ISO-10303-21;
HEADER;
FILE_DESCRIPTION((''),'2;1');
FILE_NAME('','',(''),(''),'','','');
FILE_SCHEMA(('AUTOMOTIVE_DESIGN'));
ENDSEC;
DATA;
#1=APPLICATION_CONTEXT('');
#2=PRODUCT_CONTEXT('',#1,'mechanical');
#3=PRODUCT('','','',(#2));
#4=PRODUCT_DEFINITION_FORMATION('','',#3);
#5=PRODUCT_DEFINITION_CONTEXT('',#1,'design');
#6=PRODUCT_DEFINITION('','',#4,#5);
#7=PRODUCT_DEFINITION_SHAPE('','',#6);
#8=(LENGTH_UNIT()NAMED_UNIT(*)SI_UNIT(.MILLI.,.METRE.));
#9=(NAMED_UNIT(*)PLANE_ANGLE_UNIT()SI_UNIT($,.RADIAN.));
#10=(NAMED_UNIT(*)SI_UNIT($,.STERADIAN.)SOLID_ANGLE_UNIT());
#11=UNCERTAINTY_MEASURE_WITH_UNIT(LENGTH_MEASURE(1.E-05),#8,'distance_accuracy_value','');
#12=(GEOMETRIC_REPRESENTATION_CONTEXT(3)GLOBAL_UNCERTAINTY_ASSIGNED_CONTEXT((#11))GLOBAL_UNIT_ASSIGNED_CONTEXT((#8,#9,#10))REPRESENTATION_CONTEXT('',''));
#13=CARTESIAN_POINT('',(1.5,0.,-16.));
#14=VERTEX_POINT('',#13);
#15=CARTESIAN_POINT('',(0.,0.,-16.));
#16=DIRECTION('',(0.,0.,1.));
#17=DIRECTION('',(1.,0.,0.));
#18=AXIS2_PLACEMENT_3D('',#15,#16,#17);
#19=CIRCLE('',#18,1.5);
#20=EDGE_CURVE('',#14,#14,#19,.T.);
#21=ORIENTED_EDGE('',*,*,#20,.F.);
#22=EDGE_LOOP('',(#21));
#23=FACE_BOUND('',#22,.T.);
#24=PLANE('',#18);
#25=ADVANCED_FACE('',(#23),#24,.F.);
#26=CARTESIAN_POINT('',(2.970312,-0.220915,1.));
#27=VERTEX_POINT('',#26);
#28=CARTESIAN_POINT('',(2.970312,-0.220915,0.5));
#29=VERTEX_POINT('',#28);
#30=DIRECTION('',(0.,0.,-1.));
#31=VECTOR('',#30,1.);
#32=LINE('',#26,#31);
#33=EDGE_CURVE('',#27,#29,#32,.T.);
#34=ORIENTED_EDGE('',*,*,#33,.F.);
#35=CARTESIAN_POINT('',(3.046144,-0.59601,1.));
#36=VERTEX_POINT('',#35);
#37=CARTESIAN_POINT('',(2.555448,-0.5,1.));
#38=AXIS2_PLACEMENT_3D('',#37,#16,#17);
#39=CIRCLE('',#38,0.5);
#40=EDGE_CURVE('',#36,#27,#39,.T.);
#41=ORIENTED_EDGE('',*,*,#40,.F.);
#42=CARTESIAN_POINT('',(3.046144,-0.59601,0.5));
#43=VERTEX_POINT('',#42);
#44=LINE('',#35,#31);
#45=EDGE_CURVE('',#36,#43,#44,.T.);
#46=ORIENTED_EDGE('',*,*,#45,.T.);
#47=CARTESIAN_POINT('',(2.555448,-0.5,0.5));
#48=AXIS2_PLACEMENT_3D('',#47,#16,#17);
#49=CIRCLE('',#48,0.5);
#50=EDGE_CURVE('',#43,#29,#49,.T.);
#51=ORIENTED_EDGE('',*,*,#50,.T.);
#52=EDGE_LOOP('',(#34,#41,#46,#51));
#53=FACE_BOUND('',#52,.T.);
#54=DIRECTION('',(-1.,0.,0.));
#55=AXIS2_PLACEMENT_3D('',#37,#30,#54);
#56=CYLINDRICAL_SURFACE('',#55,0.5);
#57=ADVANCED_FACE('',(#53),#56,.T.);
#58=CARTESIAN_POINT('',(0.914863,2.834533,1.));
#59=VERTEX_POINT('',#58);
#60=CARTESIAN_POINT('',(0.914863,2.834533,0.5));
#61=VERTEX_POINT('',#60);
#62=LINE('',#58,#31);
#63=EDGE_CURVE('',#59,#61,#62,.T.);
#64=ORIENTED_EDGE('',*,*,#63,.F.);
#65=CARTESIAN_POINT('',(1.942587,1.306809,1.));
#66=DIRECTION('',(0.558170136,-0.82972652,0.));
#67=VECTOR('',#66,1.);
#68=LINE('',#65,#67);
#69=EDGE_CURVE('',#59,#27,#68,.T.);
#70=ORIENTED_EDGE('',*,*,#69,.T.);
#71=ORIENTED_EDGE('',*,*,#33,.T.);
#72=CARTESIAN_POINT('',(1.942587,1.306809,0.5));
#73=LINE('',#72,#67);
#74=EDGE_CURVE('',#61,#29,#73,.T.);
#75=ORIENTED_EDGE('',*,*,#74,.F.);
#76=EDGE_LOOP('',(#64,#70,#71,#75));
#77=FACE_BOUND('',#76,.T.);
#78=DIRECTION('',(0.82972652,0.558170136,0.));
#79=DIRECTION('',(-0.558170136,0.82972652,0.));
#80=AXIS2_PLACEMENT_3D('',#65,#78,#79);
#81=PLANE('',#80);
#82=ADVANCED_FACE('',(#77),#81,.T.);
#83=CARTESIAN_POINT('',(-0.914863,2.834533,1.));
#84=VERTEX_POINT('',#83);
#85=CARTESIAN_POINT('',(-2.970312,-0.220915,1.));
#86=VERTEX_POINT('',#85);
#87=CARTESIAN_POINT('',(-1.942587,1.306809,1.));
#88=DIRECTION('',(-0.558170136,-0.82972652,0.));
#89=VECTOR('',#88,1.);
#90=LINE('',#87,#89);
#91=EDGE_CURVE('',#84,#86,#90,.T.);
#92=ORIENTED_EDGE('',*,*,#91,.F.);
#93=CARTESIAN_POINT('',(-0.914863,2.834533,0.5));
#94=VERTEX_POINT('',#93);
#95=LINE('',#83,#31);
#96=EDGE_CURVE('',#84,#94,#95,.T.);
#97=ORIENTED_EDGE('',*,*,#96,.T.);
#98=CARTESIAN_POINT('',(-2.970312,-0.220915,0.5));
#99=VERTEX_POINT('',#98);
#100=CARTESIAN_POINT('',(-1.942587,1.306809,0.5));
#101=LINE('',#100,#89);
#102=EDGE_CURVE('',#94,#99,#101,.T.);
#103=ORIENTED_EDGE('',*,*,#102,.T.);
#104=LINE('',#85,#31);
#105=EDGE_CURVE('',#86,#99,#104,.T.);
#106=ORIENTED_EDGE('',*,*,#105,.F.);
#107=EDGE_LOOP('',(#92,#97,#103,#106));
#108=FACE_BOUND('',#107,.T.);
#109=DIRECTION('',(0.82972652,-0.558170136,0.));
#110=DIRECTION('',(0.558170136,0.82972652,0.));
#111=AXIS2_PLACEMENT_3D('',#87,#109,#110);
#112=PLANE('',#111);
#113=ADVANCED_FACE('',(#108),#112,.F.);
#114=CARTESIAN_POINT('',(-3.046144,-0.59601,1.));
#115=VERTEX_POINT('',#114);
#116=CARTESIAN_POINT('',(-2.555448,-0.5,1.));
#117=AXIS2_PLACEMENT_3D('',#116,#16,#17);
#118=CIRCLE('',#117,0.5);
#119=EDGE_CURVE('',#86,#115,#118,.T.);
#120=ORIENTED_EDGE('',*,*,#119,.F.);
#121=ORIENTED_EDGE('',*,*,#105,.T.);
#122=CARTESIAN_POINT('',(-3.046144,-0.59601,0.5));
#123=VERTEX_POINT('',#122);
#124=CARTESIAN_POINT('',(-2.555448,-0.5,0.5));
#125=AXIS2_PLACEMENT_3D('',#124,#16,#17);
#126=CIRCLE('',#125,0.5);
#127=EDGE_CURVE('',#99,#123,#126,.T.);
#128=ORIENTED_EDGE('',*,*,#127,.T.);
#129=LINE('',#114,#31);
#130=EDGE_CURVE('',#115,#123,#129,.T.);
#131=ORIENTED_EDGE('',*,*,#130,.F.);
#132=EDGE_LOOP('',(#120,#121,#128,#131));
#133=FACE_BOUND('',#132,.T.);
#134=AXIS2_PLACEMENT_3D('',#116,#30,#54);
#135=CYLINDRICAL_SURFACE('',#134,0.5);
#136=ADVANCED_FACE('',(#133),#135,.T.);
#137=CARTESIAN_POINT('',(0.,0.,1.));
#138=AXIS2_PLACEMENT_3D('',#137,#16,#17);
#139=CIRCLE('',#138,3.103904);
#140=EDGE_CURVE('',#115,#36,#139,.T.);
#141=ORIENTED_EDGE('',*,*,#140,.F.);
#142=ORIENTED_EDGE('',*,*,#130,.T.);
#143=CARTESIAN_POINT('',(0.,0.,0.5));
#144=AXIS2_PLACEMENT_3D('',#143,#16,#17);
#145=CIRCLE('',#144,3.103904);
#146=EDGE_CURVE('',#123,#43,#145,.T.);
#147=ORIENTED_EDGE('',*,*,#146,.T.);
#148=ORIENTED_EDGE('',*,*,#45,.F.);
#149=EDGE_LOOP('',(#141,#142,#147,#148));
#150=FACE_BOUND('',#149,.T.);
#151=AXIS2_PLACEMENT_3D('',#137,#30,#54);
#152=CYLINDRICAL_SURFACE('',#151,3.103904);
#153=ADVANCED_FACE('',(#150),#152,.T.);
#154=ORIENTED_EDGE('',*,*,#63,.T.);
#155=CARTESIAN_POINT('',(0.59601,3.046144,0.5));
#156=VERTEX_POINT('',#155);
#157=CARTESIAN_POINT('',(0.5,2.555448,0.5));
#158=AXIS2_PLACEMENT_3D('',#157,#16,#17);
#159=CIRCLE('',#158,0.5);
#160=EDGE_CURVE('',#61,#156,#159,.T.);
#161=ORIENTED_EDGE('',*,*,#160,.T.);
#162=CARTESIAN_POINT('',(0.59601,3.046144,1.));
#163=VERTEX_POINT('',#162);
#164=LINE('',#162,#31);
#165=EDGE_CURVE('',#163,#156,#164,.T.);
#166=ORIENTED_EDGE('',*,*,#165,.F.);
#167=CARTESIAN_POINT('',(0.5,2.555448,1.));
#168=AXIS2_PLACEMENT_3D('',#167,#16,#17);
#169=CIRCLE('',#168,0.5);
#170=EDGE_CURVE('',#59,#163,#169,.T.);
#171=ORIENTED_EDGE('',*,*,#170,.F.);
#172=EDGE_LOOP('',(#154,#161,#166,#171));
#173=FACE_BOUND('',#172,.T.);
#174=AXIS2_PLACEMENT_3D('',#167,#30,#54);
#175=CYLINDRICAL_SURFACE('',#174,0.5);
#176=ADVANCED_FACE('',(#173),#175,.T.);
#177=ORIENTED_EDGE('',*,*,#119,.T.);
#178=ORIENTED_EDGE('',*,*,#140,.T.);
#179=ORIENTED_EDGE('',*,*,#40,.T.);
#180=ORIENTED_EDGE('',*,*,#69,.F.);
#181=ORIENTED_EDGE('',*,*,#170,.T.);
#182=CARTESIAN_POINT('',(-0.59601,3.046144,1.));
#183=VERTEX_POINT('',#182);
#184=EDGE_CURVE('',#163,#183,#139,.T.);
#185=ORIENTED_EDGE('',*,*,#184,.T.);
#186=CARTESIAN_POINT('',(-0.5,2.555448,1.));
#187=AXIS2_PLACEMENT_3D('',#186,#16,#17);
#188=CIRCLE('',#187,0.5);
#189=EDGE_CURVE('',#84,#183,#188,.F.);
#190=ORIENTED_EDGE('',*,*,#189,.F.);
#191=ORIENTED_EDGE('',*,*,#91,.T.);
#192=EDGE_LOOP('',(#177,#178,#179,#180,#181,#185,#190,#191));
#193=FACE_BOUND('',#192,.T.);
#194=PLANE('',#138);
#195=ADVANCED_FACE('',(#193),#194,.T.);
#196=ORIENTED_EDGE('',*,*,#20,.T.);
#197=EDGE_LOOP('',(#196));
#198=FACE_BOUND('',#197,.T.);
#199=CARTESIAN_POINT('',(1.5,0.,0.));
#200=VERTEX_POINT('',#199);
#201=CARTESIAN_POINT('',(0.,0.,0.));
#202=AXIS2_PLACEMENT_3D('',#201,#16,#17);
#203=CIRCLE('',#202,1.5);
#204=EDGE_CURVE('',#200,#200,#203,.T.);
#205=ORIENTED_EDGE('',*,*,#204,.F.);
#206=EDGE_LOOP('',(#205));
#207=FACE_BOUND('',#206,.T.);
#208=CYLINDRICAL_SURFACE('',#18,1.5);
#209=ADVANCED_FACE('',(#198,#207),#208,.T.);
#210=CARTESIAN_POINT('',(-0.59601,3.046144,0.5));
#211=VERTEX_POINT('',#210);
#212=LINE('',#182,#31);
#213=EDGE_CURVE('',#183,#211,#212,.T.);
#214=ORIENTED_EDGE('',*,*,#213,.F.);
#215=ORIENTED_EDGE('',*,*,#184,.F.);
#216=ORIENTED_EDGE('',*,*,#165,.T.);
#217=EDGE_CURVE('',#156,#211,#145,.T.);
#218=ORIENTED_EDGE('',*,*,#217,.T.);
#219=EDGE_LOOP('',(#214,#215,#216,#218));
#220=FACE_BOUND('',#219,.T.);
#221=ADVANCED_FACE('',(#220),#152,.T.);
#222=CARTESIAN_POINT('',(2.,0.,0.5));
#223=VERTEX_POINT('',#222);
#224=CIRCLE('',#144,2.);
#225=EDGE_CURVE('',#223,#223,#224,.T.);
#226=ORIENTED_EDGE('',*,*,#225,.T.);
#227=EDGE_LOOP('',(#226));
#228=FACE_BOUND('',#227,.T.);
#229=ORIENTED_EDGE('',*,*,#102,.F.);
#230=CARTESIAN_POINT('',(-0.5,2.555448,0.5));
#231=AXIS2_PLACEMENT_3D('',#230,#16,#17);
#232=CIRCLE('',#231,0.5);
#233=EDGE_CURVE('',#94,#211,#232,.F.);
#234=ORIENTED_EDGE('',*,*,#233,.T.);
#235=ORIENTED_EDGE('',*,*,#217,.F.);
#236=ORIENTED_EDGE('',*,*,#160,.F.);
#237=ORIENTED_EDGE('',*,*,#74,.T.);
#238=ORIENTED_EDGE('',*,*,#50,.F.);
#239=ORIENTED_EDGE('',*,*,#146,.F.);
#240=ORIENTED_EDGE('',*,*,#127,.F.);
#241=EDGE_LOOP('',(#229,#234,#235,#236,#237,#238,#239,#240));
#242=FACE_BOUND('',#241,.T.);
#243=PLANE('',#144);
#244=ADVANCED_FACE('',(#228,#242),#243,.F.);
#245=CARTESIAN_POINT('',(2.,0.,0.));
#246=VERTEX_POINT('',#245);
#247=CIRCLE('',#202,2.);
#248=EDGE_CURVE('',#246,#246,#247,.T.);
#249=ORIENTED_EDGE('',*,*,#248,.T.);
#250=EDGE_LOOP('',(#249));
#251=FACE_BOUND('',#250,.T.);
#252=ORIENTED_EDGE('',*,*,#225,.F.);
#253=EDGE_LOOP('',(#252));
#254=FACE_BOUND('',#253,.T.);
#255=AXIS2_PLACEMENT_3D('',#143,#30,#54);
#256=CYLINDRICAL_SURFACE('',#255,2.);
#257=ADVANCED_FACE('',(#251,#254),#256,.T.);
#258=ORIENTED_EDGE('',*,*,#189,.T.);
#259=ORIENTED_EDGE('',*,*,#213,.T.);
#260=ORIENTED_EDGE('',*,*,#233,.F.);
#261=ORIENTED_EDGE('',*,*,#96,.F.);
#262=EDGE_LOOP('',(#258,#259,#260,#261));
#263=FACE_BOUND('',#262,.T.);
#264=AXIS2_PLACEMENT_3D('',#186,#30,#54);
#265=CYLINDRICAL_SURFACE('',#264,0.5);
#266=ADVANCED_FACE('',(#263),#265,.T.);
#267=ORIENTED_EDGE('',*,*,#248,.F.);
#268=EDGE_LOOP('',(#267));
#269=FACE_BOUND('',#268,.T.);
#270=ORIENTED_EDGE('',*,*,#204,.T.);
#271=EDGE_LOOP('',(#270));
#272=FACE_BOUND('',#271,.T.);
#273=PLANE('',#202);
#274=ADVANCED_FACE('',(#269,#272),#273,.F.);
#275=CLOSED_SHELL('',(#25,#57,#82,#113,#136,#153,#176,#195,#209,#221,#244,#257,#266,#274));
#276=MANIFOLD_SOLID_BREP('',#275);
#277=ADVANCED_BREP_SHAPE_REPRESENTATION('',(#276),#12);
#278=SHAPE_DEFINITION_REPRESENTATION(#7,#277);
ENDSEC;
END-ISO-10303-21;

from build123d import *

# Parameters (mm, degrees)
SKETCH_1_R      = 1.5
EXTRUDE_1_DEPTH = 16
SKETCH_2_R      = 2
EXTRUDE_2_DEPTH = 0.5
EXTRUDE_3_DEPTH = 0.5


with BuildPart() as part:
    # 草圖1 → 填料-伸長1 (new body)
    with BuildSketch(Plane.XY):
        Circle(SKETCH_1_R)
    extrude(amount=-EXTRUDE_1_DEPTH)

    # 草圖2 → 填料-伸長2 (add)
    with BuildSketch(Plane.XY):
        Circle(SKETCH_2_R)
    extrude(amount=EXTRUDE_2_DEPTH)

    # 草圖3 → 填料-伸長3 (add)
    with BuildSketch(Plane.XY.offset(0.5)):
        with BuildLine():
            Line((-0.91486326, 2.834533474), (-2.970311666, -0.220914932))
            ThreePointArc((-2.970311666, -0.220914932), (-3.045533313, -0.400920314), (-3.046143975, -0.59600968))
            ThreePointArc((-3.046143975, -0.59600968), (0, -3.103904099), (3.046143975, -0.59600968))
            ThreePointArc((3.046143975, -0.59600968), (3.045533313, -0.400920314), (2.970311666, -0.220914932))
            Line((2.970311666, -0.220914932), (0.91486326, 2.834533474))
            ThreePointArc((0.91486326, 2.834533474), (0.776482443, 2.972050685), (0.59600968, 3.046143975))
            ThreePointArc((0.59600968, 3.046143975), (0.299400973, 3.089430321), (0, 3.103904099))
            ThreePointArc((0, 3.103904099), (-0.299400973, 3.089430321), (-0.59600968, 3.046143975))
            ThreePointArc((-0.59600968, 3.046143975), (-0.776482443, 2.972050685), (-0.91486326, 2.834533474))
        make_face()
    extrude(amount=EXTRUDE_3_DEPTH)


solid = part.part
